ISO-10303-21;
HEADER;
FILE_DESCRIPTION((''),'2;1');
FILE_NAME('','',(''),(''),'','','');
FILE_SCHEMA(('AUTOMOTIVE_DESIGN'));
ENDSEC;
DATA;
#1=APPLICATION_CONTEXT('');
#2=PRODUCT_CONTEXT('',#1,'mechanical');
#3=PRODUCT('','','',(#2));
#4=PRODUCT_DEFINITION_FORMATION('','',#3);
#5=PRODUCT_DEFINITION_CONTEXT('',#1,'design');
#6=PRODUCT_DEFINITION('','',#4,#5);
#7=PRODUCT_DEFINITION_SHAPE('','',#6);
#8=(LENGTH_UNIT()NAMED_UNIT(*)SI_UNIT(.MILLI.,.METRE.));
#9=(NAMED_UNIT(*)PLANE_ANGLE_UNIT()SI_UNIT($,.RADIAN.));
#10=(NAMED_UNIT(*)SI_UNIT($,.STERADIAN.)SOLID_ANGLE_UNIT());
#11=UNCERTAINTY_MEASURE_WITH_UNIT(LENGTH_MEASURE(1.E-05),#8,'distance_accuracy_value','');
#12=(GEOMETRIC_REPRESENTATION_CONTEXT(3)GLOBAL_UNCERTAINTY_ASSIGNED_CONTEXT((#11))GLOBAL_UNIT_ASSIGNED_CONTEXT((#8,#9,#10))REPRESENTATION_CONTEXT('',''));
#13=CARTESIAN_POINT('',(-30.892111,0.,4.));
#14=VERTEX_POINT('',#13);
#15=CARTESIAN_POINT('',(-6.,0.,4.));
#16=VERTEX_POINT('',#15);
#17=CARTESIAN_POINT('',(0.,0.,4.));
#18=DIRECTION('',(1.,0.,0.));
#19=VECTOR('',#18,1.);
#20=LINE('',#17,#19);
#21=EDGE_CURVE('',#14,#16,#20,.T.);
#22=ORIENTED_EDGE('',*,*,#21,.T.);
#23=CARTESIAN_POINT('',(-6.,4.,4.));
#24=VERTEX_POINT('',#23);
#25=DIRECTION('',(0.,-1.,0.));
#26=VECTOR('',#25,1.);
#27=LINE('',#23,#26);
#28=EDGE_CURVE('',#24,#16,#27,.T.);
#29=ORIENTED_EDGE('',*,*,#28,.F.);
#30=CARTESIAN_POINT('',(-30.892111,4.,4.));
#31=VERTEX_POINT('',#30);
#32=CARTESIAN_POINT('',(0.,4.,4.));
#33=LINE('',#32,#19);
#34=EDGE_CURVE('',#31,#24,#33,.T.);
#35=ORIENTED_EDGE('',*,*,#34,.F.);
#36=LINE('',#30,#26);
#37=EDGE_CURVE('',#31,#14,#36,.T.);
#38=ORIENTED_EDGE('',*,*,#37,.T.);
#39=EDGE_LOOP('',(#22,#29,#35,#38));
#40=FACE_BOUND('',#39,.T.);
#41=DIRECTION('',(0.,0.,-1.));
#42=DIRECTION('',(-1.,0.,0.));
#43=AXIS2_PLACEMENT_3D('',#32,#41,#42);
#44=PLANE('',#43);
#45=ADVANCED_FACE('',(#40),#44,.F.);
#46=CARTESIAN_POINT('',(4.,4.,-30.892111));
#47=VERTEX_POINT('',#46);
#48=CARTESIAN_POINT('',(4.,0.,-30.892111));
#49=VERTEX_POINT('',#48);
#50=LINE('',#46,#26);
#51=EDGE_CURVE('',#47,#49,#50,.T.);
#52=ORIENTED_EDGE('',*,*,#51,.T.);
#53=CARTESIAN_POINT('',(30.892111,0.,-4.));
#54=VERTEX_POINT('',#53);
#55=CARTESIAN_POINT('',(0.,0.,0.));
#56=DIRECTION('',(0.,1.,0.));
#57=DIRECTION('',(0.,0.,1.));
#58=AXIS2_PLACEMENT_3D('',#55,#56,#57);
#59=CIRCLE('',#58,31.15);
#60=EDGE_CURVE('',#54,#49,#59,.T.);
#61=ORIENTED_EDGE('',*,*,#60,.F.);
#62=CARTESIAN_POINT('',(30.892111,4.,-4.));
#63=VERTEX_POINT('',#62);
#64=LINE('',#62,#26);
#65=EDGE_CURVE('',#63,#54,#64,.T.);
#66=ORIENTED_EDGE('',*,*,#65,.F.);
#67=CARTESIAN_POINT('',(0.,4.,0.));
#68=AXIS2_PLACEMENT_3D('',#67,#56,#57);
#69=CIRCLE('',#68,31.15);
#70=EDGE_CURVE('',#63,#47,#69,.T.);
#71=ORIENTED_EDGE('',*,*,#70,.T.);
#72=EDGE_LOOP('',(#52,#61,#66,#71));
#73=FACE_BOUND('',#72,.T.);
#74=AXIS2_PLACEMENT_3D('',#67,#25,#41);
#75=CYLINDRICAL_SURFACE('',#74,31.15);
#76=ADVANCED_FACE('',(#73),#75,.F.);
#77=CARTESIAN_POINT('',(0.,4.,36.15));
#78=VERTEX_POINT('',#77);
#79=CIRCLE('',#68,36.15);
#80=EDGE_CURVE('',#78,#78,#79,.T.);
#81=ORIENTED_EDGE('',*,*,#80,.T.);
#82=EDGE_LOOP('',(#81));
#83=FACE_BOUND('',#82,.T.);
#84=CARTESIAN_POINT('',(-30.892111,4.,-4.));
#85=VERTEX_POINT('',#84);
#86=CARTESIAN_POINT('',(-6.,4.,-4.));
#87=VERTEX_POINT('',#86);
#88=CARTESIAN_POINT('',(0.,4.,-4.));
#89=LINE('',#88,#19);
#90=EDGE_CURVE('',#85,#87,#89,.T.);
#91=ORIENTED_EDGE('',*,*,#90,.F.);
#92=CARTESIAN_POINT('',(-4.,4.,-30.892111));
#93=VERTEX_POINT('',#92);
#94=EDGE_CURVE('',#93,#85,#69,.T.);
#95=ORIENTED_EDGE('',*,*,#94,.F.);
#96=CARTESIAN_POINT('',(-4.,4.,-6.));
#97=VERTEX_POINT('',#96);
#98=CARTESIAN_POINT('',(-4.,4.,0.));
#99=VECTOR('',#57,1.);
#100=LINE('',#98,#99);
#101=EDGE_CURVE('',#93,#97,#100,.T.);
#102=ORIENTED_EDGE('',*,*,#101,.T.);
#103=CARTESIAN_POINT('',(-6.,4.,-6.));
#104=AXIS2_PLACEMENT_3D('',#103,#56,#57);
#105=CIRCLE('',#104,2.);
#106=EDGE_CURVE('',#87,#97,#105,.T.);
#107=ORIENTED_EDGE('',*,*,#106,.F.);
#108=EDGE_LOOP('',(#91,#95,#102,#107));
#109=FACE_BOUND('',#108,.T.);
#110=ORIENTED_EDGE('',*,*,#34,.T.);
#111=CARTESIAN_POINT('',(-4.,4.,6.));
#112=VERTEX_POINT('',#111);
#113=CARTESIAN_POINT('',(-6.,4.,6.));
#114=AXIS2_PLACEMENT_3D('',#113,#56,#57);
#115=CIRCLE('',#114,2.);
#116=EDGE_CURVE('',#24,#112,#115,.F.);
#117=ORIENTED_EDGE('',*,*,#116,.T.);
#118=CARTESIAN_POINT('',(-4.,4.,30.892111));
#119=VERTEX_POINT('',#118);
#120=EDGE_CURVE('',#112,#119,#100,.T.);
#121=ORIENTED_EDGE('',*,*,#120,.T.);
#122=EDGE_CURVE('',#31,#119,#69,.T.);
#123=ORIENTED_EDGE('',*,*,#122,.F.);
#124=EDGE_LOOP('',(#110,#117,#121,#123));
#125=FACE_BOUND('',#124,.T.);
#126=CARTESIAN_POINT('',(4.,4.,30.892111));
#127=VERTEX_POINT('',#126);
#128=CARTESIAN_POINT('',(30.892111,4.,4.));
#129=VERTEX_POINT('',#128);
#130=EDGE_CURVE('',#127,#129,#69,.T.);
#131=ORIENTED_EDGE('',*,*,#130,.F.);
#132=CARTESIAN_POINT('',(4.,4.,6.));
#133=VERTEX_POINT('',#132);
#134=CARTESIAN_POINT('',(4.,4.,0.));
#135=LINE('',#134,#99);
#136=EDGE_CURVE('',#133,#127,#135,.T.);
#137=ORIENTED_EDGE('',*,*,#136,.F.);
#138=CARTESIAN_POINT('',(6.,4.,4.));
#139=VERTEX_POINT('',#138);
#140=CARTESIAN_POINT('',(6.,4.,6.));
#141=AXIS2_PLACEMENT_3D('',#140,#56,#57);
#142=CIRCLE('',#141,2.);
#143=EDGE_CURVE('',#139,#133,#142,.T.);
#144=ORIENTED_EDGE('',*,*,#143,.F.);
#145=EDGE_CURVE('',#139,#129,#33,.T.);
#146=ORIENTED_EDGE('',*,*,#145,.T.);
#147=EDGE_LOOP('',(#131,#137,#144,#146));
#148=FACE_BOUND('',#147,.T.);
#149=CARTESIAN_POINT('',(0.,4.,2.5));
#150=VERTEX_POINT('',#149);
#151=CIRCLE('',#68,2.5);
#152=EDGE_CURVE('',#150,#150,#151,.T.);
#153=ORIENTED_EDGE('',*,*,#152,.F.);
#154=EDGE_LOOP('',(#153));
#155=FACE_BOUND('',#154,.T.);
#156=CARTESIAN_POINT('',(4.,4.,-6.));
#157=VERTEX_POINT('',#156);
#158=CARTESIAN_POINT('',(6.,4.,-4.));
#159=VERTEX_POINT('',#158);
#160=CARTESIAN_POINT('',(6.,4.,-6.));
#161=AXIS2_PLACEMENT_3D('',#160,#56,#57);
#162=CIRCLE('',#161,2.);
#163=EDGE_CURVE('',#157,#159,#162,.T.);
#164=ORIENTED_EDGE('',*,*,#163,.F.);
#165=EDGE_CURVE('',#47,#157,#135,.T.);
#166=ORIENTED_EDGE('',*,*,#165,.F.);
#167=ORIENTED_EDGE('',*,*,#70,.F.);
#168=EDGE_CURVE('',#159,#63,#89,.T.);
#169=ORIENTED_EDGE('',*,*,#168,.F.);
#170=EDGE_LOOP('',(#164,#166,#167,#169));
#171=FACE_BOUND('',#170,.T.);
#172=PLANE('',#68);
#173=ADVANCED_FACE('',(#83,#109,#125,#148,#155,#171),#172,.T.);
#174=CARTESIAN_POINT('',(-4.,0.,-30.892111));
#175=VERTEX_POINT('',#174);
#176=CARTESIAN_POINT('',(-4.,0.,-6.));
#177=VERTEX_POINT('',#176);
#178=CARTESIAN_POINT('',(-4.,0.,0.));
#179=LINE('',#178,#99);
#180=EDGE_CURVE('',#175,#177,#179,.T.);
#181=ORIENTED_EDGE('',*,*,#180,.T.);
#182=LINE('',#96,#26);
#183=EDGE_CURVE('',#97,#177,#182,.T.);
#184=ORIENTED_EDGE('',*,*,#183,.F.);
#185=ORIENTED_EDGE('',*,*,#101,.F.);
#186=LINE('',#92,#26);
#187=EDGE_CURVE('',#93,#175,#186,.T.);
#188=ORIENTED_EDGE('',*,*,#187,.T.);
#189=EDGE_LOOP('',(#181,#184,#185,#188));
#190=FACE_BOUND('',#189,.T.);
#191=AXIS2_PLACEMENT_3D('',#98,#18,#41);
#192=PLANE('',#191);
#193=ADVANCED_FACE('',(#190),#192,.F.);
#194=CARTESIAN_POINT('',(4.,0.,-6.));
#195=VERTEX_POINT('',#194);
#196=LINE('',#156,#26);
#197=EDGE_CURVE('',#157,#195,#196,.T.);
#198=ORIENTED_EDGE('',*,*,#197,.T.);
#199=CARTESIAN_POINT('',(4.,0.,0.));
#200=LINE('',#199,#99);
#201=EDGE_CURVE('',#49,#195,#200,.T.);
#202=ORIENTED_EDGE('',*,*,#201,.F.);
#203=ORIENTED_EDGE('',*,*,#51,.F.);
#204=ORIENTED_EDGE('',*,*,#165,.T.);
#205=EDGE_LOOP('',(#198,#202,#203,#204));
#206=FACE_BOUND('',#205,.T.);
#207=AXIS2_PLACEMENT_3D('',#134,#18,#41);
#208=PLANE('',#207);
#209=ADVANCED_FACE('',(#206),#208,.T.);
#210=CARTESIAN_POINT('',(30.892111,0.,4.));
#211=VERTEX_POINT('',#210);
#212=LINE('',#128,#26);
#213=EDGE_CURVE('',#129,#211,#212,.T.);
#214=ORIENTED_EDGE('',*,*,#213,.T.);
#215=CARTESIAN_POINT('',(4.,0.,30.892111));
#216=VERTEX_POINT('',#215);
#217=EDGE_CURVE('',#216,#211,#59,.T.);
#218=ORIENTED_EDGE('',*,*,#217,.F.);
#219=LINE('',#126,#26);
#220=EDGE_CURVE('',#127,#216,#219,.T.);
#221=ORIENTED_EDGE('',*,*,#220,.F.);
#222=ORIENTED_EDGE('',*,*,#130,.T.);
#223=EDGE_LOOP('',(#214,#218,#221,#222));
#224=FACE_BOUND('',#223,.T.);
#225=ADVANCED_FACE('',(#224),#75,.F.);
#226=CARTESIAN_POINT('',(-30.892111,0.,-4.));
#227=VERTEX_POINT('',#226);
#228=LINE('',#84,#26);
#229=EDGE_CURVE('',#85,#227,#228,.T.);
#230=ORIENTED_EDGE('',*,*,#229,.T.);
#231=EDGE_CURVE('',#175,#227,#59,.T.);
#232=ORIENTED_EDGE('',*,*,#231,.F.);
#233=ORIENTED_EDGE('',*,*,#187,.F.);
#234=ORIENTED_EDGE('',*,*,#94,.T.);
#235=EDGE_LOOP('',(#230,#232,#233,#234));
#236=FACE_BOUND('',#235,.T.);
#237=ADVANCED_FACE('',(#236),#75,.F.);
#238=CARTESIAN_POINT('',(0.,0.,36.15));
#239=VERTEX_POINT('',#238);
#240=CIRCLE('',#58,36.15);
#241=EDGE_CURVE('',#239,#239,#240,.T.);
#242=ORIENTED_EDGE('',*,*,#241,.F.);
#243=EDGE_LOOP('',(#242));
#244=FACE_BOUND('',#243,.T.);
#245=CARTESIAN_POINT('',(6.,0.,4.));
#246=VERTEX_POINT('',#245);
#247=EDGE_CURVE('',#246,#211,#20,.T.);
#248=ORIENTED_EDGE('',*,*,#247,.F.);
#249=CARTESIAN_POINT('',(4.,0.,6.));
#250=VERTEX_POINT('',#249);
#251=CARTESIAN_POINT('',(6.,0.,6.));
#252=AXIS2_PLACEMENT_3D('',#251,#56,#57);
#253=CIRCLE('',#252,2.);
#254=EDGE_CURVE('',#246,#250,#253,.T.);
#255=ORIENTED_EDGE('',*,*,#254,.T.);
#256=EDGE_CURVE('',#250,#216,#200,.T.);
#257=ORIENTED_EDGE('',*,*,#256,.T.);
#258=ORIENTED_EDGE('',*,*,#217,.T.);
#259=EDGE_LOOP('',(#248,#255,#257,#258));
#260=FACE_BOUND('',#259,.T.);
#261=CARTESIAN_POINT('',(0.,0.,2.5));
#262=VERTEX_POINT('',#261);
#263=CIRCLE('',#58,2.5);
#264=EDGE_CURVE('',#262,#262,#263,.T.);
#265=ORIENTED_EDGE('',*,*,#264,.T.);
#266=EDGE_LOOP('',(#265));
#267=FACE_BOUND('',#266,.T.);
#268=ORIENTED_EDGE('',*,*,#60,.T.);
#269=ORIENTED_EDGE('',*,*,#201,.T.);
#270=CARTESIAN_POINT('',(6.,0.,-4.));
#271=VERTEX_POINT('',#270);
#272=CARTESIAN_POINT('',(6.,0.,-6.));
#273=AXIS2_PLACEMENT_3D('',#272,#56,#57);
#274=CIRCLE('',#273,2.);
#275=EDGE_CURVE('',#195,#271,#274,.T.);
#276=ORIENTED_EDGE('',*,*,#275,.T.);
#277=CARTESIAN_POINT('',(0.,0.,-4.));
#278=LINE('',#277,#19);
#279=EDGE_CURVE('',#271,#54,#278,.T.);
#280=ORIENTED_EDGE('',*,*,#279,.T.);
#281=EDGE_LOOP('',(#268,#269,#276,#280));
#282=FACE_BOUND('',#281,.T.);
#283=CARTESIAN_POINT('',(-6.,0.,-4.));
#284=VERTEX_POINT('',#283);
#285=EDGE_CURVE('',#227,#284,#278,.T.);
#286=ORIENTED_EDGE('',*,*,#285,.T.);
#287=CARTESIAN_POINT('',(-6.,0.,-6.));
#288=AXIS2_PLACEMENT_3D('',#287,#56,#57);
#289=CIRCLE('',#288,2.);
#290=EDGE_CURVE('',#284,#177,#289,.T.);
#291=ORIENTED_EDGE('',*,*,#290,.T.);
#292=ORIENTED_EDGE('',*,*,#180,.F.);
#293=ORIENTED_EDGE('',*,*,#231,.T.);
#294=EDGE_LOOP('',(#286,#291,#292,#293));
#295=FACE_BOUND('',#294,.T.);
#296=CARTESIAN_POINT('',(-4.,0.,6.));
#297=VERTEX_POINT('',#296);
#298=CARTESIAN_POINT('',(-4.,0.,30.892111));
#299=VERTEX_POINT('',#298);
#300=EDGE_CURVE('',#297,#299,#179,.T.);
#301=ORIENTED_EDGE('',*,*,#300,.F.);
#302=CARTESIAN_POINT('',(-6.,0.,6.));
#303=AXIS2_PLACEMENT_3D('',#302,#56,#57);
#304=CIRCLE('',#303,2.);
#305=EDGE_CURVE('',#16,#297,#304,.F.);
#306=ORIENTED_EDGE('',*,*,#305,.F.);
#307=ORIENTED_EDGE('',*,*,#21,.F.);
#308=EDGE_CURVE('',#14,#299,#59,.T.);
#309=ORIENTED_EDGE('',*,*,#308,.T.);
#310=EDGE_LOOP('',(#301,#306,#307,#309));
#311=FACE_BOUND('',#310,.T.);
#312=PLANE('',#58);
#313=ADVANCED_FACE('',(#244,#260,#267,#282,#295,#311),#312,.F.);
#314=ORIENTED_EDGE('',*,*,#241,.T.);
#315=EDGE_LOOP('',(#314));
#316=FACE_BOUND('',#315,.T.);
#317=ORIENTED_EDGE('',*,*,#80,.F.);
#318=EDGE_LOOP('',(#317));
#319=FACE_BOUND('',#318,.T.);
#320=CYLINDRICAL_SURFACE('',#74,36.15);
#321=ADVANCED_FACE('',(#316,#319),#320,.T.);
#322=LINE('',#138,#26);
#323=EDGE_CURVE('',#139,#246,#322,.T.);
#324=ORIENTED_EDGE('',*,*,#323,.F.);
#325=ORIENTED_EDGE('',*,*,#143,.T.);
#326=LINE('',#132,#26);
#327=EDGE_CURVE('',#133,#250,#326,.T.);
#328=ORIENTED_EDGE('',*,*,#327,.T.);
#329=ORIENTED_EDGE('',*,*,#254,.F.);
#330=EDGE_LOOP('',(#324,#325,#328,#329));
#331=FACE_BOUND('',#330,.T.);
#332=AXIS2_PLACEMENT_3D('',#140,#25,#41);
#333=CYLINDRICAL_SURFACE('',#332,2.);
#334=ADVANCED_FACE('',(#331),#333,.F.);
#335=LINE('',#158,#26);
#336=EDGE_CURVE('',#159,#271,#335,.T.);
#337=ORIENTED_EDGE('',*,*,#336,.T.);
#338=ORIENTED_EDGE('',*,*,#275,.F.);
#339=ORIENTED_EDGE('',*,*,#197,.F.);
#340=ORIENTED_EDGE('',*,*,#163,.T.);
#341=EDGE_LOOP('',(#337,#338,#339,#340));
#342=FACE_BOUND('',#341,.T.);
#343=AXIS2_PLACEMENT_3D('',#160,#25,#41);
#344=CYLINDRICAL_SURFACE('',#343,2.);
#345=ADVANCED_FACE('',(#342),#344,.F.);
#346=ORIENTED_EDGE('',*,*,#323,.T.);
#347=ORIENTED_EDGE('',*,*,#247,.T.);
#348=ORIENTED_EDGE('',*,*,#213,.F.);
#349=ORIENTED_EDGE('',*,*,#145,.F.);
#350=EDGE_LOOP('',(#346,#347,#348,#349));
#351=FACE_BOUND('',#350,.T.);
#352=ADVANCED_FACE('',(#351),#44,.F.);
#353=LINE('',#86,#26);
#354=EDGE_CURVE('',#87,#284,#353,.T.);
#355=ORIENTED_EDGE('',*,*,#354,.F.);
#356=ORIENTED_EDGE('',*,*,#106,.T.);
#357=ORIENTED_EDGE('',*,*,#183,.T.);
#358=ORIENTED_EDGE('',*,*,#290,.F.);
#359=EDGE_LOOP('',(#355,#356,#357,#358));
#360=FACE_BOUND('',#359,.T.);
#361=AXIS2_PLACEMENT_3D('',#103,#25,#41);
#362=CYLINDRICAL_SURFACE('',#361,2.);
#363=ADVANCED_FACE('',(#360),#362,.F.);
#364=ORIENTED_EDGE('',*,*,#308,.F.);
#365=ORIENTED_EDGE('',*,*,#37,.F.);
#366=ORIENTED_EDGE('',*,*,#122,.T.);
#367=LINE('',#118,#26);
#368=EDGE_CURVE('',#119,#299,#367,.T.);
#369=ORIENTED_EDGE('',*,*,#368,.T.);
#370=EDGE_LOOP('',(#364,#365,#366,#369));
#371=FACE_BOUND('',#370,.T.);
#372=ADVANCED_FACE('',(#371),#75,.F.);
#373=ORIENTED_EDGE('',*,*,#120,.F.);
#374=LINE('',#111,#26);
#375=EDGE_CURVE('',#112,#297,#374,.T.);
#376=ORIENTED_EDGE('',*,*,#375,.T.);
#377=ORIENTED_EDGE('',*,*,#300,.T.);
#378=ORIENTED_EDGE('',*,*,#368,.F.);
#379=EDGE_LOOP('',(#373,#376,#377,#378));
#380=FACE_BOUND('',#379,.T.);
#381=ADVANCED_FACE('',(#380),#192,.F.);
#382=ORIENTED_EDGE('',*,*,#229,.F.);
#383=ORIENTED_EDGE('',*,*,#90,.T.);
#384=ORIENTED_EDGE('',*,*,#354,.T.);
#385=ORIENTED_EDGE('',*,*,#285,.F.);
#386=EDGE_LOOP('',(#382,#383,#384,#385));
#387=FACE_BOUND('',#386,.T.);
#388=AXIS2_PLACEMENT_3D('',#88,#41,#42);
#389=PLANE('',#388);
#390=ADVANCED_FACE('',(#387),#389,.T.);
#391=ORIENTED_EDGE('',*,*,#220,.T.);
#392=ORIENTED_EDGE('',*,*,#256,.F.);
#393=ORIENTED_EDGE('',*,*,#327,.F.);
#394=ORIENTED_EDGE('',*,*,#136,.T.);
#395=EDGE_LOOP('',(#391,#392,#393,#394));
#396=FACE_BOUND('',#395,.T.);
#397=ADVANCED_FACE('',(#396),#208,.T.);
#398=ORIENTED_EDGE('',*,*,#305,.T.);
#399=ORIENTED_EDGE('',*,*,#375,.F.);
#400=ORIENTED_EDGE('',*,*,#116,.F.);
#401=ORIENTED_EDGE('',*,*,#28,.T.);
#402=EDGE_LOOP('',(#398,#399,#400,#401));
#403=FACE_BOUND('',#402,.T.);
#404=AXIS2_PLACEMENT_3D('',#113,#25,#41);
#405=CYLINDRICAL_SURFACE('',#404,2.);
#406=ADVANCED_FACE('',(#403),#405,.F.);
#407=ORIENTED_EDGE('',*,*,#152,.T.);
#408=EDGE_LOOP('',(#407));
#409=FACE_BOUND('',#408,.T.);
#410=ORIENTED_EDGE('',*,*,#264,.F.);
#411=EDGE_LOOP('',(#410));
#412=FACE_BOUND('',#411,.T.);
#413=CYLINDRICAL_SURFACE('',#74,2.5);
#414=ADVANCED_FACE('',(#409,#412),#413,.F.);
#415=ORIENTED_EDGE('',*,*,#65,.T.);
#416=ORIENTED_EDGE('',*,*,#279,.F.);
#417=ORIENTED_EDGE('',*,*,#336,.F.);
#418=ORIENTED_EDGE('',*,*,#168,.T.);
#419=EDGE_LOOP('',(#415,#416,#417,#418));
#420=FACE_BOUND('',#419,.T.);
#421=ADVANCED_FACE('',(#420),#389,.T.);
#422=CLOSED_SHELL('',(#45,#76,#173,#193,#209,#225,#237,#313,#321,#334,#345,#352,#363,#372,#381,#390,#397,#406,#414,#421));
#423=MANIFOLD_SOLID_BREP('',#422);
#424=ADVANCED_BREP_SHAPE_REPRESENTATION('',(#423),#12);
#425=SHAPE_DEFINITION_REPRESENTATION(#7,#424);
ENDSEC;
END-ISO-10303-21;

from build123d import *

# Parameters (mm, degrees)
SKETCH1_R           = 36.15
SKETCH1_R_2         = 2.5
BOSS_EXTRUDE1_DEPTH = 4


with BuildPart() as part:
    # Sketch1 → Boss-Extrude1 (new body)
    with BuildSketch(Plane(origin=(0, 0, 0), x_dir=(1, 0, 0), z_dir=(0, 1, 0))):
        with Locations(Location((0, 0, 0), (0, 0, 270))):
            Circle(SKETCH1_R)
        with Locations(Location((0, 0, 0), (0, 0, 270))):
            Circle(SKETCH1_R_2, mode=Mode.SUBTRACT)
        with BuildLine():
            ThreePointArc((4, -30.892110643), (22.026376234, -22.026376234), (30.892110643, -4))
            Line((30.892110643, -4), (6, -4))
            ThreePointArc((6, -4), (4.585786438, -4.585786438), (4, -6))
            Line((4, -6), (4, -30.892110643))
        make_face(mode=Mode.SUBTRACT)
        with BuildLine():
            ThreePointArc((30.892110643, 4), (22.026376234, 22.026376234), (4, 30.892110643))
            Line((4, 30.892110643), (4, 6))
            ThreePointArc((4, 6), (4.585786438, 4.585786438), (6, 4))
            Line((6, 4), (30.892110643, 4))
        make_face(mode=Mode.SUBTRACT)
        with BuildLine():
            ThreePointArc((-4, 30.892110643), (-22.026376234, 22.026376234), (-30.892110643, 4))
            Line((-30.892110643, 4), (-6, 4))
            ThreePointArc((-6, 4), (-4.585786438, 4.585786438), (-4, 6))
            Line((-4, 6), (-4, 30.892110643))
        make_face(mode=Mode.SUBTRACT)
        with BuildLine():
            Line((-30.892110643, -4), (-6, -4))
            ThreePointArc((-6, -4), (-4.585786438, -4.585786438), (-4, -6))
            Line((-4, -6), (-4, -30.892110643))
            ThreePointArc((-4, -30.892110643), (-22.026376234, -22.026376234), (-30.892110643, -4))
        make_face(mode=Mode.SUBTRACT)
    extrude(amount=BOSS_EXTRUDE1_DEPTH)


solid = part.part
